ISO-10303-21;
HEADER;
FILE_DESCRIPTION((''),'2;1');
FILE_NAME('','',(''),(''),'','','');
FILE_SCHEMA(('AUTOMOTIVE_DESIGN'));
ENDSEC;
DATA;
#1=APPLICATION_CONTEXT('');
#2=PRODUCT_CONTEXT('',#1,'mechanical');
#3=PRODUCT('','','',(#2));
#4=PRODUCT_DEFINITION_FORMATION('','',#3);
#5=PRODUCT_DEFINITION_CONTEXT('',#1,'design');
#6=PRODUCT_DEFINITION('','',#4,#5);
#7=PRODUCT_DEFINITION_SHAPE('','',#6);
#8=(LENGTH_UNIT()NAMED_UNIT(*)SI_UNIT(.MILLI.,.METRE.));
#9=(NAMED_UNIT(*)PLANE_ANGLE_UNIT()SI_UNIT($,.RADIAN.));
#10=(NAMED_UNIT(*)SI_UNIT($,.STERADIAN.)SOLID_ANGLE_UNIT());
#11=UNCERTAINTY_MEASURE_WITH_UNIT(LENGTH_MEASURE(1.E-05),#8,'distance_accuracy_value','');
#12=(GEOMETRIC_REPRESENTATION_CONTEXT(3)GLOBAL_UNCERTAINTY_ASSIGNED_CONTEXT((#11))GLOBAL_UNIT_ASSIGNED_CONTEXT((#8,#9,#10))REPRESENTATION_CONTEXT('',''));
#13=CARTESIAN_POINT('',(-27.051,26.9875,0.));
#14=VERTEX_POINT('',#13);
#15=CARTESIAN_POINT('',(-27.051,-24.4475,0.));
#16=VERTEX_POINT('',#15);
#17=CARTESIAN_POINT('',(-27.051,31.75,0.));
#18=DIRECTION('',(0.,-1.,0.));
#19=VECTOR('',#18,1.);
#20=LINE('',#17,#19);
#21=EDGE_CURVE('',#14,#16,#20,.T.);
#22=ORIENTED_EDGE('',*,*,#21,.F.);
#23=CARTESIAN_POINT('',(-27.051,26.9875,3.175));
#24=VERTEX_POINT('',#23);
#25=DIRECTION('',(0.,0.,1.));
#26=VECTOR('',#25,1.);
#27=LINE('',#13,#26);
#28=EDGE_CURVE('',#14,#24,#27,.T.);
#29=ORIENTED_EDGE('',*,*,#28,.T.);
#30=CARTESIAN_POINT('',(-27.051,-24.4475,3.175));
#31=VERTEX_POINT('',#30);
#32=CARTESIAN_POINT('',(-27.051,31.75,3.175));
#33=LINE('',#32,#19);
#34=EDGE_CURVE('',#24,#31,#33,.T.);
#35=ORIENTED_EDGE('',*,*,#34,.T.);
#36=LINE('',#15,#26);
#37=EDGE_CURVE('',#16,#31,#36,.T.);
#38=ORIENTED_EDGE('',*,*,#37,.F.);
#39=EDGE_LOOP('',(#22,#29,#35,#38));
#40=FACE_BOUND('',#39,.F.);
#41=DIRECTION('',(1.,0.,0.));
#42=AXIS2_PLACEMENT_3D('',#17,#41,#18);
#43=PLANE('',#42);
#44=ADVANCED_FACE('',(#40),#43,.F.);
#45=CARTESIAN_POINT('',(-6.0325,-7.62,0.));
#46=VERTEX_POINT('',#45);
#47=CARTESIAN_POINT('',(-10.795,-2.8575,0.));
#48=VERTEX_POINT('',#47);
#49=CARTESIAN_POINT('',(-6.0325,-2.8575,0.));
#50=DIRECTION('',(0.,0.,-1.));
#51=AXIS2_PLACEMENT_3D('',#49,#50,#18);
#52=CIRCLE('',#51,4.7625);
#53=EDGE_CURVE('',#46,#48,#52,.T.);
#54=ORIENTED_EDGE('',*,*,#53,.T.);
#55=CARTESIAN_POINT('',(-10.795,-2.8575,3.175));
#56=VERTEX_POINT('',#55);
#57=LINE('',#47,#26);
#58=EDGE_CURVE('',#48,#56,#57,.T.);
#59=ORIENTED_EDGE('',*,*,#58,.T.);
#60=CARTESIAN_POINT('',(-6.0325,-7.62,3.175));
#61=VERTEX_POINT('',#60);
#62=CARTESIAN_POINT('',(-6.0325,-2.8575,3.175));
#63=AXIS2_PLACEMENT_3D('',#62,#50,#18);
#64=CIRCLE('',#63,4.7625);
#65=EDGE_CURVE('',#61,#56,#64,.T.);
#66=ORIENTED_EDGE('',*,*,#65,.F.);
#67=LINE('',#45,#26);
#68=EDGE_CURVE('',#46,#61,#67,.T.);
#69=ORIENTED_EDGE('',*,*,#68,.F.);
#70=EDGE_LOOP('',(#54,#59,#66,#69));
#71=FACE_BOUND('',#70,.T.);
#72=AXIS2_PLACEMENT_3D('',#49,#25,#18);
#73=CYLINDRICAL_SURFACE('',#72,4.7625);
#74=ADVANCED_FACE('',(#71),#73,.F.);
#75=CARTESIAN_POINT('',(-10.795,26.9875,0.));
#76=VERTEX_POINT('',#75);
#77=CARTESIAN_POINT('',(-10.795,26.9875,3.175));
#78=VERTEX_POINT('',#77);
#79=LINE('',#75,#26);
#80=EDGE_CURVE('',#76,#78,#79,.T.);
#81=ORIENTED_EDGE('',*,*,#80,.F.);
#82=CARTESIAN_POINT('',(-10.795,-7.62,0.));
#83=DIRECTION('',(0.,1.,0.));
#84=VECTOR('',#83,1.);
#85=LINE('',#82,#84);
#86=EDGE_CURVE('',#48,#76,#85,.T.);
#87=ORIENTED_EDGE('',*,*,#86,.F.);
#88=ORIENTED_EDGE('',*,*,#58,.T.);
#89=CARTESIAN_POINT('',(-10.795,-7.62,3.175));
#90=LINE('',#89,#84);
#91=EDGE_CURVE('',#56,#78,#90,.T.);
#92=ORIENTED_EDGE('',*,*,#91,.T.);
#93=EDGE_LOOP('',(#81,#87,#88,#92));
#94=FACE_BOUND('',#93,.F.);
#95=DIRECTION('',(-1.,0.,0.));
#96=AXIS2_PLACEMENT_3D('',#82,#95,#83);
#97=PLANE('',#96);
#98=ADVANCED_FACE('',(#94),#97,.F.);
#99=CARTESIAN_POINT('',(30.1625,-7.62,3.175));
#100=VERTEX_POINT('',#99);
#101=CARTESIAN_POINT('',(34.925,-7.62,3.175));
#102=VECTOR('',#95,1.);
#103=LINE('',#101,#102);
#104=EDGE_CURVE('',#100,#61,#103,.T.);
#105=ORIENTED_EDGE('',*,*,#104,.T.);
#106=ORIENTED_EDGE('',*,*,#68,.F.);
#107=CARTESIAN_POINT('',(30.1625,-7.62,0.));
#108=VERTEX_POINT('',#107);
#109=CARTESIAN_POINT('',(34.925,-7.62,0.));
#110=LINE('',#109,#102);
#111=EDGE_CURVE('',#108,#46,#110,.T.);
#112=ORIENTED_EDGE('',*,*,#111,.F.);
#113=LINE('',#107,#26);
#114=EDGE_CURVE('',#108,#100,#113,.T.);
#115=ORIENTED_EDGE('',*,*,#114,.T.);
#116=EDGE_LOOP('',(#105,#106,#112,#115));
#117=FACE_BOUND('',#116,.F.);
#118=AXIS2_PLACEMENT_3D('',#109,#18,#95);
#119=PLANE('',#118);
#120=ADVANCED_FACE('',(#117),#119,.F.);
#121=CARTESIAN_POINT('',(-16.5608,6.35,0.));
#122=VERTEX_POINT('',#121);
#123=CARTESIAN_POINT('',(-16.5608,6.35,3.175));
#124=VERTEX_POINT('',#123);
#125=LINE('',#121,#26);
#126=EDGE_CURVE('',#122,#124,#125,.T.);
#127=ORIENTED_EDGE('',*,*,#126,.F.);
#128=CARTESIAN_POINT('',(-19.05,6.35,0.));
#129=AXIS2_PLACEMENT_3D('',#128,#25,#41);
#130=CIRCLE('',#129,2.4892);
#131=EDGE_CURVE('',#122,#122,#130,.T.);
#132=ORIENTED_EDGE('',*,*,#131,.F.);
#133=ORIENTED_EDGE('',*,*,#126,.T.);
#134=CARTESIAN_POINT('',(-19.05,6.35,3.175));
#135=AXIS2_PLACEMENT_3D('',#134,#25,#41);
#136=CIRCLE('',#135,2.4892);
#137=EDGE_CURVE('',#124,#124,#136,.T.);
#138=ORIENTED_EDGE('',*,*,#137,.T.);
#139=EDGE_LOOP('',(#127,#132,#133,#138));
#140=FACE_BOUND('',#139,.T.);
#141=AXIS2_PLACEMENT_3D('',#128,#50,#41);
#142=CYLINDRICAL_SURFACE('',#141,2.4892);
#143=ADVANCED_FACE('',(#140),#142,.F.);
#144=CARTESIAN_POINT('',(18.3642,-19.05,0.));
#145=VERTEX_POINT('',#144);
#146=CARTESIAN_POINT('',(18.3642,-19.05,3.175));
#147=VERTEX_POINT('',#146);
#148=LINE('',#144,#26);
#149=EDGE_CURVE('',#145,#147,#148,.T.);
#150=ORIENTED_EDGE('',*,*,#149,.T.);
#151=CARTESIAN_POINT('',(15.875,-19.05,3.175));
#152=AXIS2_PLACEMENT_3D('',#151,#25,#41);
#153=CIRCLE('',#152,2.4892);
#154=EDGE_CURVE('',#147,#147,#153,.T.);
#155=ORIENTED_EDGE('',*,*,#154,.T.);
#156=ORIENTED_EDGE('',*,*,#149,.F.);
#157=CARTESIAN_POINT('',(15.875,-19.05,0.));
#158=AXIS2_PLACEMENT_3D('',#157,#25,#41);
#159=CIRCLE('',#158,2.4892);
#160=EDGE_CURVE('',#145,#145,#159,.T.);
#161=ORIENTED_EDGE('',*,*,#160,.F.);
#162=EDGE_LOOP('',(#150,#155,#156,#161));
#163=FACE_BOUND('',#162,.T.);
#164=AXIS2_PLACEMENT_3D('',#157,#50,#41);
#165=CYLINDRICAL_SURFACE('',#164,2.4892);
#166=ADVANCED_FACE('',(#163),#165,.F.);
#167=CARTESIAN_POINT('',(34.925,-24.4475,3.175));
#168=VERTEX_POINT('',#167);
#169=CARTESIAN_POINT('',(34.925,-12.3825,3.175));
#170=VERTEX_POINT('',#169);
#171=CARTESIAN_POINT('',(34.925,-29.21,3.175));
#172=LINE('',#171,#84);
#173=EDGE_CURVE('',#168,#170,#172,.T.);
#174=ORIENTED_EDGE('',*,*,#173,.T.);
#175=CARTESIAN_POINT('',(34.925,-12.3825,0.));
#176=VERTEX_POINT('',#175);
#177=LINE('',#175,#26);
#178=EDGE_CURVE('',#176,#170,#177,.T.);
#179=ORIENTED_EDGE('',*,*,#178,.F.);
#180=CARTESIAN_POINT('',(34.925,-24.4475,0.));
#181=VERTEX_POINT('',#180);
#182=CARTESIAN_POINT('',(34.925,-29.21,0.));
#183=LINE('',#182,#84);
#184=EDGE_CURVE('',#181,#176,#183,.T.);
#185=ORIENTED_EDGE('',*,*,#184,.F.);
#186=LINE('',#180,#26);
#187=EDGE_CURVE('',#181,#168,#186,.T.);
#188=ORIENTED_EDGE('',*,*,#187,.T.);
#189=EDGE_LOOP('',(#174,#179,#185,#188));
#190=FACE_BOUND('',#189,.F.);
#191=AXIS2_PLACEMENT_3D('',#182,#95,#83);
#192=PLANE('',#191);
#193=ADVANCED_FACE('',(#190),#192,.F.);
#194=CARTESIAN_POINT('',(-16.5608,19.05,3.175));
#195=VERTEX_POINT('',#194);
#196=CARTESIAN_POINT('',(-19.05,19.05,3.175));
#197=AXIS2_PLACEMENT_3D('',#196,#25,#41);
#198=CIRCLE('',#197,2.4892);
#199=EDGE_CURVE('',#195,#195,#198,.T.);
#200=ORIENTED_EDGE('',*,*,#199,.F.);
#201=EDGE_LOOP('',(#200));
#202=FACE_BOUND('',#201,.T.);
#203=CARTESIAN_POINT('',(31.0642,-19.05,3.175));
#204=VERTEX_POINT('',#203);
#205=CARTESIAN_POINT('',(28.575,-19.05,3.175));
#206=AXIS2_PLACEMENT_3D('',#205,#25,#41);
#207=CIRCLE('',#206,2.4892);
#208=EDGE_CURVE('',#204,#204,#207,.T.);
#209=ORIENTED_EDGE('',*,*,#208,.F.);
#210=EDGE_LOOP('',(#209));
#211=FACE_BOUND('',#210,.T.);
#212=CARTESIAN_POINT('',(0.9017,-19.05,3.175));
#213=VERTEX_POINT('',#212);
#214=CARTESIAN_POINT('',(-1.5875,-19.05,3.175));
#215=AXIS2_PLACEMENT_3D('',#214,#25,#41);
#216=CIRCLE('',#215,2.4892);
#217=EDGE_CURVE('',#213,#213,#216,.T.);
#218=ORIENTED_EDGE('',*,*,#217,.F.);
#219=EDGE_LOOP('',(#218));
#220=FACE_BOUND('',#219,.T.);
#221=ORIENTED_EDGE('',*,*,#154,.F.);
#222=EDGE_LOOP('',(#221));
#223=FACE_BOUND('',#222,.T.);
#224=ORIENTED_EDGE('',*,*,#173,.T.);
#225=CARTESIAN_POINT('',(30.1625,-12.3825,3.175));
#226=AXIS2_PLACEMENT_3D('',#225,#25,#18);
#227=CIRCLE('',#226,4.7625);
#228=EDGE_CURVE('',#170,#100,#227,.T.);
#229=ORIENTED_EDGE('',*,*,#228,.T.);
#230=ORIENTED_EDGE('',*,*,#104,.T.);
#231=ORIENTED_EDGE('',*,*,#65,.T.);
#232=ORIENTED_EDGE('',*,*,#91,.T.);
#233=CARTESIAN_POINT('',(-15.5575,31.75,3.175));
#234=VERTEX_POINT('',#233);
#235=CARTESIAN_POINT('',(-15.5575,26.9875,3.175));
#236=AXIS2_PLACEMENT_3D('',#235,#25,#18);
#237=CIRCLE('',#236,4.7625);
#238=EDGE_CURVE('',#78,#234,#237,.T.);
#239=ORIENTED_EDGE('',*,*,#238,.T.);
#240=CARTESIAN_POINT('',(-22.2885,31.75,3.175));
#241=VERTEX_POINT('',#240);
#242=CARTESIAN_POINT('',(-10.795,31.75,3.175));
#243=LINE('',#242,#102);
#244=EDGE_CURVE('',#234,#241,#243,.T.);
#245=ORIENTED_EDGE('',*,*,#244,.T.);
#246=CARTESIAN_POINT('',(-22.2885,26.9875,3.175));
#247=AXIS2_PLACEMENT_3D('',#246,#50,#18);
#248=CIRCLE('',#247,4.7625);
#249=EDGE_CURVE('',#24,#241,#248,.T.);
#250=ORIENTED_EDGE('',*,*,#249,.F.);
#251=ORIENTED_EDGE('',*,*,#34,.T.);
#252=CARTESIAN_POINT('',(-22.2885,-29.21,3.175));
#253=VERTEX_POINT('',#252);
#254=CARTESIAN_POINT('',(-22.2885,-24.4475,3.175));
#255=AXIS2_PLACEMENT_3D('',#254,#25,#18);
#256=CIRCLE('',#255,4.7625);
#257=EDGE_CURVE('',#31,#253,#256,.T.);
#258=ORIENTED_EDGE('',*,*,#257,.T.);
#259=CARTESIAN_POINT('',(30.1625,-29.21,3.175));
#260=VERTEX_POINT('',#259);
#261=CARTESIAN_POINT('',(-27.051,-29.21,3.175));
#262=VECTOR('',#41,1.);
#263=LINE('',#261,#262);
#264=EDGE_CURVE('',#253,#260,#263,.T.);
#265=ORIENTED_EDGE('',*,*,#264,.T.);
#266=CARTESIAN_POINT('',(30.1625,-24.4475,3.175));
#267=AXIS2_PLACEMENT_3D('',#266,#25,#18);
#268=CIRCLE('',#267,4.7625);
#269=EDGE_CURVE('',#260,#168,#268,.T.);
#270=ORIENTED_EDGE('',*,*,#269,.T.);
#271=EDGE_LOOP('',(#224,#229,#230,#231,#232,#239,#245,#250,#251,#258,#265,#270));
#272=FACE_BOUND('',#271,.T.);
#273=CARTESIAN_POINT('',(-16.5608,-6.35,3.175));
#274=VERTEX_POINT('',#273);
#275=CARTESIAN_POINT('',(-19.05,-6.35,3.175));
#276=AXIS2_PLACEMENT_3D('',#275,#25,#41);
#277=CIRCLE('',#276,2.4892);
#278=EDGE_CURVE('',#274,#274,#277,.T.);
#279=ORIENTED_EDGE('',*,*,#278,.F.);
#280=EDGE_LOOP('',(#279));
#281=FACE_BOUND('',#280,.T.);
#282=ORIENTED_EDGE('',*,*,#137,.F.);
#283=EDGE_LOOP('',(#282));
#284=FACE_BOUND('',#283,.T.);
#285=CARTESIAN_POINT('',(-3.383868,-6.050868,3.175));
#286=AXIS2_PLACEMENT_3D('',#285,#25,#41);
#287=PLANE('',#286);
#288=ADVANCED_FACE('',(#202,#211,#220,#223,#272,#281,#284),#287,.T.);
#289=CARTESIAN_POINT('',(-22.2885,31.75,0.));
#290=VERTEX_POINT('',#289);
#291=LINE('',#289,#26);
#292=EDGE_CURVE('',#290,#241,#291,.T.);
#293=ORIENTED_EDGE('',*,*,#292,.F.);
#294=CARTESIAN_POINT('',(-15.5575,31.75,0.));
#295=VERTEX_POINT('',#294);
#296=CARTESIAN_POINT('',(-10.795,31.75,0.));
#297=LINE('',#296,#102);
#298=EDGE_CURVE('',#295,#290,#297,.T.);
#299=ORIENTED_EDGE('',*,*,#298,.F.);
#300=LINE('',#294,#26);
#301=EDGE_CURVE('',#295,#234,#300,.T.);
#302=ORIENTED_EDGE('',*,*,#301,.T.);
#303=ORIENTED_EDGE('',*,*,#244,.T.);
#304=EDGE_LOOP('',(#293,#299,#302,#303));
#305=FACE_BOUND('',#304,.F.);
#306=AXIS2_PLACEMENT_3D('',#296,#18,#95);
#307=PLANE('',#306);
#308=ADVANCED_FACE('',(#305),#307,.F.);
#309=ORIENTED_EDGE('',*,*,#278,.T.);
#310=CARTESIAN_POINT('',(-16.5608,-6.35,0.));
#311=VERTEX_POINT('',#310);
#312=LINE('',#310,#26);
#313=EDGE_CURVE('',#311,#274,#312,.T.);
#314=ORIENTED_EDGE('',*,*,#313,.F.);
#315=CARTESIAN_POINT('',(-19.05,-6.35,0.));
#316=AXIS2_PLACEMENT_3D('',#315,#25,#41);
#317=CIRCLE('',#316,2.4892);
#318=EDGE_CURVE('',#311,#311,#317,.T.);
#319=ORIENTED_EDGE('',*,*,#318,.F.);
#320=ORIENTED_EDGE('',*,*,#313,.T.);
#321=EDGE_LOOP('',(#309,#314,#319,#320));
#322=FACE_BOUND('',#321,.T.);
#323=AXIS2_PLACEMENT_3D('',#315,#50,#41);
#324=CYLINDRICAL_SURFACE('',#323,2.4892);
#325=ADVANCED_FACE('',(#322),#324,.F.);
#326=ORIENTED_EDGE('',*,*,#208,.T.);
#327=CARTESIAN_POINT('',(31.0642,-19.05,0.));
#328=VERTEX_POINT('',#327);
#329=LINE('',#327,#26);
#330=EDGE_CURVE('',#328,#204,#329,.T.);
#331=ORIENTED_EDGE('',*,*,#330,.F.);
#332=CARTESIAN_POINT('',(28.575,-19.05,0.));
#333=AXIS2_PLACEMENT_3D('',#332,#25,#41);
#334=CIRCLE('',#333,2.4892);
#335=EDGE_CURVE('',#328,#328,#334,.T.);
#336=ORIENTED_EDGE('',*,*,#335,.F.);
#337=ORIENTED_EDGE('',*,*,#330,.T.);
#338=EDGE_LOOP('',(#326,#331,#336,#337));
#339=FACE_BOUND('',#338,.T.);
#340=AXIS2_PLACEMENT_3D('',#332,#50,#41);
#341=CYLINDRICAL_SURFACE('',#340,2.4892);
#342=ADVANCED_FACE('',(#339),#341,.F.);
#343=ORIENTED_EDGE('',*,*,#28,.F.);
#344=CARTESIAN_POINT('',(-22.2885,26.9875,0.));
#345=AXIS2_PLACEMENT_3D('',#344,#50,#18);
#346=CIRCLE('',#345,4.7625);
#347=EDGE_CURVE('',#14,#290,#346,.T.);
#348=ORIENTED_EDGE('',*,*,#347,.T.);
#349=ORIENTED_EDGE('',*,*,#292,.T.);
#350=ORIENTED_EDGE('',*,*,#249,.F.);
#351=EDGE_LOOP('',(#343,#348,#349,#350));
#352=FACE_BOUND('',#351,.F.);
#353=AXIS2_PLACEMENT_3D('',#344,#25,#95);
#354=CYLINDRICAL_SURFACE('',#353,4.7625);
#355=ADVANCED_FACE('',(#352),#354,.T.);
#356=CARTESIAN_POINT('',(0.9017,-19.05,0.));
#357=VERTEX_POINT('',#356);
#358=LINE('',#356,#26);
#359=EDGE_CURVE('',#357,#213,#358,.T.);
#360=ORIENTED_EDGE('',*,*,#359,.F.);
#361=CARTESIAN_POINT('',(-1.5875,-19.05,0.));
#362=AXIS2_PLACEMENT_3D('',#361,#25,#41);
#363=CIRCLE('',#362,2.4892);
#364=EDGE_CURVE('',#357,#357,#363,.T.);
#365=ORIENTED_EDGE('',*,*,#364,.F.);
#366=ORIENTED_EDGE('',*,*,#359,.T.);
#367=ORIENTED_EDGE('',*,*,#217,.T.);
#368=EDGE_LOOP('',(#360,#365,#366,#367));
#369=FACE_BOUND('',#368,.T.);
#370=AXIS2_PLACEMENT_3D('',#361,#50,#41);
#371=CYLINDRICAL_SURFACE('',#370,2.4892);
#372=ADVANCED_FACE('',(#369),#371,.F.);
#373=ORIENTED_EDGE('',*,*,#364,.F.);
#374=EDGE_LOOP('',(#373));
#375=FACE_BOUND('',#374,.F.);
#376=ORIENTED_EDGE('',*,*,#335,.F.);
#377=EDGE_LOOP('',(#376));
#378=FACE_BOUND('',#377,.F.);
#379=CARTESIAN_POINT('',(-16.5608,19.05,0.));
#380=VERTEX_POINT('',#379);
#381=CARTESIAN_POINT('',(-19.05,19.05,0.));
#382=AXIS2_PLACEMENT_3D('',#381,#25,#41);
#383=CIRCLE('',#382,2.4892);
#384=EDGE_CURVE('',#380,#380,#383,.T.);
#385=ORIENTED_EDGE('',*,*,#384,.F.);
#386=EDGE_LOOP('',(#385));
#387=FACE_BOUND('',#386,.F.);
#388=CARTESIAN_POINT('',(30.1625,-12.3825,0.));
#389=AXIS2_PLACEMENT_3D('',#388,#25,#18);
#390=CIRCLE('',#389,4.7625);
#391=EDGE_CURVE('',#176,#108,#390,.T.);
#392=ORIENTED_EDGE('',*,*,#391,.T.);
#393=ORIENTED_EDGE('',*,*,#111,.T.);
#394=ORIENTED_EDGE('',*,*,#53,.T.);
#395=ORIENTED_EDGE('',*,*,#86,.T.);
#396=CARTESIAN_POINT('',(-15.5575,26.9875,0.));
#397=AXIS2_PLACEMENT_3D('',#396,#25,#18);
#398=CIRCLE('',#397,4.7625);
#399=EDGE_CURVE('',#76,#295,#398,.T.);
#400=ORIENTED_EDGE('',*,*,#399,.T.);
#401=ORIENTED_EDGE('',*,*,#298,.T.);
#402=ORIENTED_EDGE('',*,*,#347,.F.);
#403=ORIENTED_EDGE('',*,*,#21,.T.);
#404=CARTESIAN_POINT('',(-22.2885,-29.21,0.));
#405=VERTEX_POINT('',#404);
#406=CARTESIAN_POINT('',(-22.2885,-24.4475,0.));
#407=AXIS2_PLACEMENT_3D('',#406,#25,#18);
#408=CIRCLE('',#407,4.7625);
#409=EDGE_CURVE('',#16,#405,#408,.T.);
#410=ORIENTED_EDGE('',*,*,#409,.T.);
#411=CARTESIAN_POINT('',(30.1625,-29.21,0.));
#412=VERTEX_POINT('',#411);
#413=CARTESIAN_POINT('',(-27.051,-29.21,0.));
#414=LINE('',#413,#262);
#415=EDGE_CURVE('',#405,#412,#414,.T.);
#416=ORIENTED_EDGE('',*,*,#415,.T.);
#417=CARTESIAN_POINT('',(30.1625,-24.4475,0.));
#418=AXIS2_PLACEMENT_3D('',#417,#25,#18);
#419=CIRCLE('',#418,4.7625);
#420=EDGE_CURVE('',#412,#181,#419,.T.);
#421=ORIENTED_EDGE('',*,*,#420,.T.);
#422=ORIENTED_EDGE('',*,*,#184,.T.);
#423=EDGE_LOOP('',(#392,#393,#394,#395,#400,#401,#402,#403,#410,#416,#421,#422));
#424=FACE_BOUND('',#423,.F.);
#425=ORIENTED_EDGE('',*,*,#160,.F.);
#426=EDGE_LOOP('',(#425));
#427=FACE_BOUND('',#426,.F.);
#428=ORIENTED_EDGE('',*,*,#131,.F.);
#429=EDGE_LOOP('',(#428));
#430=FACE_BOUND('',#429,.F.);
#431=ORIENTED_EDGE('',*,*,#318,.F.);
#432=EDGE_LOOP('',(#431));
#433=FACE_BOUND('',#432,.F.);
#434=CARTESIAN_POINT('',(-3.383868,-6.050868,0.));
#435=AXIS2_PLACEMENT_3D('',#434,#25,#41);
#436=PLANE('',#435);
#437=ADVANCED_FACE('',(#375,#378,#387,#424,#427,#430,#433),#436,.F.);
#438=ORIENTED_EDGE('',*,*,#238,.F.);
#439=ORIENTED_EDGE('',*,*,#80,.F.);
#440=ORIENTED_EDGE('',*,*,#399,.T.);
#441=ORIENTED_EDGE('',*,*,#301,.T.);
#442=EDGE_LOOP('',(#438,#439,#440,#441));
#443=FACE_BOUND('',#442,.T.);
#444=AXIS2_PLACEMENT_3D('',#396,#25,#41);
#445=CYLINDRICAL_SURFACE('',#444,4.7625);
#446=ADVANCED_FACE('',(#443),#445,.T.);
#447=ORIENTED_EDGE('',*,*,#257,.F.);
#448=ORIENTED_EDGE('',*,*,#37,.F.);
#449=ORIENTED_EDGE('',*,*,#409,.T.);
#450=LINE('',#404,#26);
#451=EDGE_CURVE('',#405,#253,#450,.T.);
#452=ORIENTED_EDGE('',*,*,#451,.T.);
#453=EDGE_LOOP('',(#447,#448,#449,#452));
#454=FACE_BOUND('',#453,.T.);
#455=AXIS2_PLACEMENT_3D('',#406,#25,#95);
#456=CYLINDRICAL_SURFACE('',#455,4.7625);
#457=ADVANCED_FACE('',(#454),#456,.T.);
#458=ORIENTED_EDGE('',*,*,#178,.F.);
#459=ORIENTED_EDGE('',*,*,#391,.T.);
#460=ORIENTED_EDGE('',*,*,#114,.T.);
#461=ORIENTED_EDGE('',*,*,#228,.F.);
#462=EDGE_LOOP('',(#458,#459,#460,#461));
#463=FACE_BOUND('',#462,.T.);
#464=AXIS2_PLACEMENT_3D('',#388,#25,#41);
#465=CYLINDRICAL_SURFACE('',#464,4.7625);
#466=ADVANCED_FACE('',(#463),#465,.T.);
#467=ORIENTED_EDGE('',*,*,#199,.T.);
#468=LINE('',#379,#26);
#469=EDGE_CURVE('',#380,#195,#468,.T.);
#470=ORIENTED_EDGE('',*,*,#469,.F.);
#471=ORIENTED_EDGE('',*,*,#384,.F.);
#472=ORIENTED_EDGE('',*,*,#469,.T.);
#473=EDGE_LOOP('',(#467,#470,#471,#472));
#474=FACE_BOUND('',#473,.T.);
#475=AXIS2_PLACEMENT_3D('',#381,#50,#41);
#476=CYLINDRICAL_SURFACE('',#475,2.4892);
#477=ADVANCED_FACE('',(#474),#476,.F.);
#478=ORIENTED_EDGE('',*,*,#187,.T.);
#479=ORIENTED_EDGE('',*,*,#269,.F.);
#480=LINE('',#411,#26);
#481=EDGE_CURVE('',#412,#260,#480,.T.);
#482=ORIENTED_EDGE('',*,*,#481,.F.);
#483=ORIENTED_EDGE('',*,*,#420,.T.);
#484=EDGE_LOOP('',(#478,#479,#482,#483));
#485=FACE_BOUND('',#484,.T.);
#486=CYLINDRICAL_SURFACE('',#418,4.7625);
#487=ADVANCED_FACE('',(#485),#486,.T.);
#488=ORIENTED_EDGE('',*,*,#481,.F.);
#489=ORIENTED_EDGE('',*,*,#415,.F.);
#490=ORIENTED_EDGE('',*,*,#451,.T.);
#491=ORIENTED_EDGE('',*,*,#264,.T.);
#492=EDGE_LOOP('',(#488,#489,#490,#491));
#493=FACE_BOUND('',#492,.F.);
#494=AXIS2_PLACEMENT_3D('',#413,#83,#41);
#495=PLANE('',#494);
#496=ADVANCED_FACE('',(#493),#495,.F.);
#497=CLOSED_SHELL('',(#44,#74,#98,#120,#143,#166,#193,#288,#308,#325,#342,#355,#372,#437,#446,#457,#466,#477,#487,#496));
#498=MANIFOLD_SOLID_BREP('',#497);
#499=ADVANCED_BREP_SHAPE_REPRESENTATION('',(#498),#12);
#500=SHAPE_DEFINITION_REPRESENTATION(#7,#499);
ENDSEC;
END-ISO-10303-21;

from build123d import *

# Parameters (mm, degrees)
SKETCH1_R           = 2.4892
BOSS_EXTRUDE1_DEPTH = 3.175
FILLET1_R           = 4.7625


with BuildPart() as part:
    # Sketch1 → Boss-Extrude1 (new body)
    with BuildSketch(Plane.XY):
        Polygon((-27.051, 31.75), (-27.051, -29.21), (34.925, -29.21), (34.925, -7.62), (-10.795, -7.62), (-10.795, 31.75), align=None)
        with Locations((-19.05, -19.05)):
            Circle(SKETCH1_R, mode=Mode.SUBTRACT)
        with Locations((-1.5875, -19.05)):
            Circle(SKETCH1_R, mode=Mode.SUBTRACT)
        with Locations((-19.05, -6.35)):
            Circle(SKETCH1_R, mode=Mode.SUBTRACT)
        with Locations((15.875, -19.05)):
            Circle(SKETCH1_R, mode=Mode.SUBTRACT)
        with Locations((28.575, -19.05)):
            Circle(SKETCH1_R, mode=Mode.SUBTRACT)
        with Locations((-19.05, 6.35)):
            Circle(SKETCH1_R, mode=Mode.SUBTRACT)
        with Locations((-19.05, 19.05)):
            Circle(SKETCH1_R, mode=Mode.SUBTRACT)
        with Locations((-19.05, -19.05)):
            Circle(SKETCH1_R)
    extrude(amount=BOSS_EXTRUDE1_DEPTH)

    # Fillet1
    fillet1_edges = [part.edges().sort_by_distance(p)[0] for p in [
        (-27.051, 31.75, 1.5875),
        (-10.795, 31.75, 1.5875),
        (-10.795, -7.62, 1.5875),
        (34.925, -7.62, 1.5875),
        (34.925, -29.21, 1.5875),
        (-27.051, -29.21, 1.5875),
    ]]
    fillet(fillet1_edges, radius=FILLET1_R)


solid = part.part
